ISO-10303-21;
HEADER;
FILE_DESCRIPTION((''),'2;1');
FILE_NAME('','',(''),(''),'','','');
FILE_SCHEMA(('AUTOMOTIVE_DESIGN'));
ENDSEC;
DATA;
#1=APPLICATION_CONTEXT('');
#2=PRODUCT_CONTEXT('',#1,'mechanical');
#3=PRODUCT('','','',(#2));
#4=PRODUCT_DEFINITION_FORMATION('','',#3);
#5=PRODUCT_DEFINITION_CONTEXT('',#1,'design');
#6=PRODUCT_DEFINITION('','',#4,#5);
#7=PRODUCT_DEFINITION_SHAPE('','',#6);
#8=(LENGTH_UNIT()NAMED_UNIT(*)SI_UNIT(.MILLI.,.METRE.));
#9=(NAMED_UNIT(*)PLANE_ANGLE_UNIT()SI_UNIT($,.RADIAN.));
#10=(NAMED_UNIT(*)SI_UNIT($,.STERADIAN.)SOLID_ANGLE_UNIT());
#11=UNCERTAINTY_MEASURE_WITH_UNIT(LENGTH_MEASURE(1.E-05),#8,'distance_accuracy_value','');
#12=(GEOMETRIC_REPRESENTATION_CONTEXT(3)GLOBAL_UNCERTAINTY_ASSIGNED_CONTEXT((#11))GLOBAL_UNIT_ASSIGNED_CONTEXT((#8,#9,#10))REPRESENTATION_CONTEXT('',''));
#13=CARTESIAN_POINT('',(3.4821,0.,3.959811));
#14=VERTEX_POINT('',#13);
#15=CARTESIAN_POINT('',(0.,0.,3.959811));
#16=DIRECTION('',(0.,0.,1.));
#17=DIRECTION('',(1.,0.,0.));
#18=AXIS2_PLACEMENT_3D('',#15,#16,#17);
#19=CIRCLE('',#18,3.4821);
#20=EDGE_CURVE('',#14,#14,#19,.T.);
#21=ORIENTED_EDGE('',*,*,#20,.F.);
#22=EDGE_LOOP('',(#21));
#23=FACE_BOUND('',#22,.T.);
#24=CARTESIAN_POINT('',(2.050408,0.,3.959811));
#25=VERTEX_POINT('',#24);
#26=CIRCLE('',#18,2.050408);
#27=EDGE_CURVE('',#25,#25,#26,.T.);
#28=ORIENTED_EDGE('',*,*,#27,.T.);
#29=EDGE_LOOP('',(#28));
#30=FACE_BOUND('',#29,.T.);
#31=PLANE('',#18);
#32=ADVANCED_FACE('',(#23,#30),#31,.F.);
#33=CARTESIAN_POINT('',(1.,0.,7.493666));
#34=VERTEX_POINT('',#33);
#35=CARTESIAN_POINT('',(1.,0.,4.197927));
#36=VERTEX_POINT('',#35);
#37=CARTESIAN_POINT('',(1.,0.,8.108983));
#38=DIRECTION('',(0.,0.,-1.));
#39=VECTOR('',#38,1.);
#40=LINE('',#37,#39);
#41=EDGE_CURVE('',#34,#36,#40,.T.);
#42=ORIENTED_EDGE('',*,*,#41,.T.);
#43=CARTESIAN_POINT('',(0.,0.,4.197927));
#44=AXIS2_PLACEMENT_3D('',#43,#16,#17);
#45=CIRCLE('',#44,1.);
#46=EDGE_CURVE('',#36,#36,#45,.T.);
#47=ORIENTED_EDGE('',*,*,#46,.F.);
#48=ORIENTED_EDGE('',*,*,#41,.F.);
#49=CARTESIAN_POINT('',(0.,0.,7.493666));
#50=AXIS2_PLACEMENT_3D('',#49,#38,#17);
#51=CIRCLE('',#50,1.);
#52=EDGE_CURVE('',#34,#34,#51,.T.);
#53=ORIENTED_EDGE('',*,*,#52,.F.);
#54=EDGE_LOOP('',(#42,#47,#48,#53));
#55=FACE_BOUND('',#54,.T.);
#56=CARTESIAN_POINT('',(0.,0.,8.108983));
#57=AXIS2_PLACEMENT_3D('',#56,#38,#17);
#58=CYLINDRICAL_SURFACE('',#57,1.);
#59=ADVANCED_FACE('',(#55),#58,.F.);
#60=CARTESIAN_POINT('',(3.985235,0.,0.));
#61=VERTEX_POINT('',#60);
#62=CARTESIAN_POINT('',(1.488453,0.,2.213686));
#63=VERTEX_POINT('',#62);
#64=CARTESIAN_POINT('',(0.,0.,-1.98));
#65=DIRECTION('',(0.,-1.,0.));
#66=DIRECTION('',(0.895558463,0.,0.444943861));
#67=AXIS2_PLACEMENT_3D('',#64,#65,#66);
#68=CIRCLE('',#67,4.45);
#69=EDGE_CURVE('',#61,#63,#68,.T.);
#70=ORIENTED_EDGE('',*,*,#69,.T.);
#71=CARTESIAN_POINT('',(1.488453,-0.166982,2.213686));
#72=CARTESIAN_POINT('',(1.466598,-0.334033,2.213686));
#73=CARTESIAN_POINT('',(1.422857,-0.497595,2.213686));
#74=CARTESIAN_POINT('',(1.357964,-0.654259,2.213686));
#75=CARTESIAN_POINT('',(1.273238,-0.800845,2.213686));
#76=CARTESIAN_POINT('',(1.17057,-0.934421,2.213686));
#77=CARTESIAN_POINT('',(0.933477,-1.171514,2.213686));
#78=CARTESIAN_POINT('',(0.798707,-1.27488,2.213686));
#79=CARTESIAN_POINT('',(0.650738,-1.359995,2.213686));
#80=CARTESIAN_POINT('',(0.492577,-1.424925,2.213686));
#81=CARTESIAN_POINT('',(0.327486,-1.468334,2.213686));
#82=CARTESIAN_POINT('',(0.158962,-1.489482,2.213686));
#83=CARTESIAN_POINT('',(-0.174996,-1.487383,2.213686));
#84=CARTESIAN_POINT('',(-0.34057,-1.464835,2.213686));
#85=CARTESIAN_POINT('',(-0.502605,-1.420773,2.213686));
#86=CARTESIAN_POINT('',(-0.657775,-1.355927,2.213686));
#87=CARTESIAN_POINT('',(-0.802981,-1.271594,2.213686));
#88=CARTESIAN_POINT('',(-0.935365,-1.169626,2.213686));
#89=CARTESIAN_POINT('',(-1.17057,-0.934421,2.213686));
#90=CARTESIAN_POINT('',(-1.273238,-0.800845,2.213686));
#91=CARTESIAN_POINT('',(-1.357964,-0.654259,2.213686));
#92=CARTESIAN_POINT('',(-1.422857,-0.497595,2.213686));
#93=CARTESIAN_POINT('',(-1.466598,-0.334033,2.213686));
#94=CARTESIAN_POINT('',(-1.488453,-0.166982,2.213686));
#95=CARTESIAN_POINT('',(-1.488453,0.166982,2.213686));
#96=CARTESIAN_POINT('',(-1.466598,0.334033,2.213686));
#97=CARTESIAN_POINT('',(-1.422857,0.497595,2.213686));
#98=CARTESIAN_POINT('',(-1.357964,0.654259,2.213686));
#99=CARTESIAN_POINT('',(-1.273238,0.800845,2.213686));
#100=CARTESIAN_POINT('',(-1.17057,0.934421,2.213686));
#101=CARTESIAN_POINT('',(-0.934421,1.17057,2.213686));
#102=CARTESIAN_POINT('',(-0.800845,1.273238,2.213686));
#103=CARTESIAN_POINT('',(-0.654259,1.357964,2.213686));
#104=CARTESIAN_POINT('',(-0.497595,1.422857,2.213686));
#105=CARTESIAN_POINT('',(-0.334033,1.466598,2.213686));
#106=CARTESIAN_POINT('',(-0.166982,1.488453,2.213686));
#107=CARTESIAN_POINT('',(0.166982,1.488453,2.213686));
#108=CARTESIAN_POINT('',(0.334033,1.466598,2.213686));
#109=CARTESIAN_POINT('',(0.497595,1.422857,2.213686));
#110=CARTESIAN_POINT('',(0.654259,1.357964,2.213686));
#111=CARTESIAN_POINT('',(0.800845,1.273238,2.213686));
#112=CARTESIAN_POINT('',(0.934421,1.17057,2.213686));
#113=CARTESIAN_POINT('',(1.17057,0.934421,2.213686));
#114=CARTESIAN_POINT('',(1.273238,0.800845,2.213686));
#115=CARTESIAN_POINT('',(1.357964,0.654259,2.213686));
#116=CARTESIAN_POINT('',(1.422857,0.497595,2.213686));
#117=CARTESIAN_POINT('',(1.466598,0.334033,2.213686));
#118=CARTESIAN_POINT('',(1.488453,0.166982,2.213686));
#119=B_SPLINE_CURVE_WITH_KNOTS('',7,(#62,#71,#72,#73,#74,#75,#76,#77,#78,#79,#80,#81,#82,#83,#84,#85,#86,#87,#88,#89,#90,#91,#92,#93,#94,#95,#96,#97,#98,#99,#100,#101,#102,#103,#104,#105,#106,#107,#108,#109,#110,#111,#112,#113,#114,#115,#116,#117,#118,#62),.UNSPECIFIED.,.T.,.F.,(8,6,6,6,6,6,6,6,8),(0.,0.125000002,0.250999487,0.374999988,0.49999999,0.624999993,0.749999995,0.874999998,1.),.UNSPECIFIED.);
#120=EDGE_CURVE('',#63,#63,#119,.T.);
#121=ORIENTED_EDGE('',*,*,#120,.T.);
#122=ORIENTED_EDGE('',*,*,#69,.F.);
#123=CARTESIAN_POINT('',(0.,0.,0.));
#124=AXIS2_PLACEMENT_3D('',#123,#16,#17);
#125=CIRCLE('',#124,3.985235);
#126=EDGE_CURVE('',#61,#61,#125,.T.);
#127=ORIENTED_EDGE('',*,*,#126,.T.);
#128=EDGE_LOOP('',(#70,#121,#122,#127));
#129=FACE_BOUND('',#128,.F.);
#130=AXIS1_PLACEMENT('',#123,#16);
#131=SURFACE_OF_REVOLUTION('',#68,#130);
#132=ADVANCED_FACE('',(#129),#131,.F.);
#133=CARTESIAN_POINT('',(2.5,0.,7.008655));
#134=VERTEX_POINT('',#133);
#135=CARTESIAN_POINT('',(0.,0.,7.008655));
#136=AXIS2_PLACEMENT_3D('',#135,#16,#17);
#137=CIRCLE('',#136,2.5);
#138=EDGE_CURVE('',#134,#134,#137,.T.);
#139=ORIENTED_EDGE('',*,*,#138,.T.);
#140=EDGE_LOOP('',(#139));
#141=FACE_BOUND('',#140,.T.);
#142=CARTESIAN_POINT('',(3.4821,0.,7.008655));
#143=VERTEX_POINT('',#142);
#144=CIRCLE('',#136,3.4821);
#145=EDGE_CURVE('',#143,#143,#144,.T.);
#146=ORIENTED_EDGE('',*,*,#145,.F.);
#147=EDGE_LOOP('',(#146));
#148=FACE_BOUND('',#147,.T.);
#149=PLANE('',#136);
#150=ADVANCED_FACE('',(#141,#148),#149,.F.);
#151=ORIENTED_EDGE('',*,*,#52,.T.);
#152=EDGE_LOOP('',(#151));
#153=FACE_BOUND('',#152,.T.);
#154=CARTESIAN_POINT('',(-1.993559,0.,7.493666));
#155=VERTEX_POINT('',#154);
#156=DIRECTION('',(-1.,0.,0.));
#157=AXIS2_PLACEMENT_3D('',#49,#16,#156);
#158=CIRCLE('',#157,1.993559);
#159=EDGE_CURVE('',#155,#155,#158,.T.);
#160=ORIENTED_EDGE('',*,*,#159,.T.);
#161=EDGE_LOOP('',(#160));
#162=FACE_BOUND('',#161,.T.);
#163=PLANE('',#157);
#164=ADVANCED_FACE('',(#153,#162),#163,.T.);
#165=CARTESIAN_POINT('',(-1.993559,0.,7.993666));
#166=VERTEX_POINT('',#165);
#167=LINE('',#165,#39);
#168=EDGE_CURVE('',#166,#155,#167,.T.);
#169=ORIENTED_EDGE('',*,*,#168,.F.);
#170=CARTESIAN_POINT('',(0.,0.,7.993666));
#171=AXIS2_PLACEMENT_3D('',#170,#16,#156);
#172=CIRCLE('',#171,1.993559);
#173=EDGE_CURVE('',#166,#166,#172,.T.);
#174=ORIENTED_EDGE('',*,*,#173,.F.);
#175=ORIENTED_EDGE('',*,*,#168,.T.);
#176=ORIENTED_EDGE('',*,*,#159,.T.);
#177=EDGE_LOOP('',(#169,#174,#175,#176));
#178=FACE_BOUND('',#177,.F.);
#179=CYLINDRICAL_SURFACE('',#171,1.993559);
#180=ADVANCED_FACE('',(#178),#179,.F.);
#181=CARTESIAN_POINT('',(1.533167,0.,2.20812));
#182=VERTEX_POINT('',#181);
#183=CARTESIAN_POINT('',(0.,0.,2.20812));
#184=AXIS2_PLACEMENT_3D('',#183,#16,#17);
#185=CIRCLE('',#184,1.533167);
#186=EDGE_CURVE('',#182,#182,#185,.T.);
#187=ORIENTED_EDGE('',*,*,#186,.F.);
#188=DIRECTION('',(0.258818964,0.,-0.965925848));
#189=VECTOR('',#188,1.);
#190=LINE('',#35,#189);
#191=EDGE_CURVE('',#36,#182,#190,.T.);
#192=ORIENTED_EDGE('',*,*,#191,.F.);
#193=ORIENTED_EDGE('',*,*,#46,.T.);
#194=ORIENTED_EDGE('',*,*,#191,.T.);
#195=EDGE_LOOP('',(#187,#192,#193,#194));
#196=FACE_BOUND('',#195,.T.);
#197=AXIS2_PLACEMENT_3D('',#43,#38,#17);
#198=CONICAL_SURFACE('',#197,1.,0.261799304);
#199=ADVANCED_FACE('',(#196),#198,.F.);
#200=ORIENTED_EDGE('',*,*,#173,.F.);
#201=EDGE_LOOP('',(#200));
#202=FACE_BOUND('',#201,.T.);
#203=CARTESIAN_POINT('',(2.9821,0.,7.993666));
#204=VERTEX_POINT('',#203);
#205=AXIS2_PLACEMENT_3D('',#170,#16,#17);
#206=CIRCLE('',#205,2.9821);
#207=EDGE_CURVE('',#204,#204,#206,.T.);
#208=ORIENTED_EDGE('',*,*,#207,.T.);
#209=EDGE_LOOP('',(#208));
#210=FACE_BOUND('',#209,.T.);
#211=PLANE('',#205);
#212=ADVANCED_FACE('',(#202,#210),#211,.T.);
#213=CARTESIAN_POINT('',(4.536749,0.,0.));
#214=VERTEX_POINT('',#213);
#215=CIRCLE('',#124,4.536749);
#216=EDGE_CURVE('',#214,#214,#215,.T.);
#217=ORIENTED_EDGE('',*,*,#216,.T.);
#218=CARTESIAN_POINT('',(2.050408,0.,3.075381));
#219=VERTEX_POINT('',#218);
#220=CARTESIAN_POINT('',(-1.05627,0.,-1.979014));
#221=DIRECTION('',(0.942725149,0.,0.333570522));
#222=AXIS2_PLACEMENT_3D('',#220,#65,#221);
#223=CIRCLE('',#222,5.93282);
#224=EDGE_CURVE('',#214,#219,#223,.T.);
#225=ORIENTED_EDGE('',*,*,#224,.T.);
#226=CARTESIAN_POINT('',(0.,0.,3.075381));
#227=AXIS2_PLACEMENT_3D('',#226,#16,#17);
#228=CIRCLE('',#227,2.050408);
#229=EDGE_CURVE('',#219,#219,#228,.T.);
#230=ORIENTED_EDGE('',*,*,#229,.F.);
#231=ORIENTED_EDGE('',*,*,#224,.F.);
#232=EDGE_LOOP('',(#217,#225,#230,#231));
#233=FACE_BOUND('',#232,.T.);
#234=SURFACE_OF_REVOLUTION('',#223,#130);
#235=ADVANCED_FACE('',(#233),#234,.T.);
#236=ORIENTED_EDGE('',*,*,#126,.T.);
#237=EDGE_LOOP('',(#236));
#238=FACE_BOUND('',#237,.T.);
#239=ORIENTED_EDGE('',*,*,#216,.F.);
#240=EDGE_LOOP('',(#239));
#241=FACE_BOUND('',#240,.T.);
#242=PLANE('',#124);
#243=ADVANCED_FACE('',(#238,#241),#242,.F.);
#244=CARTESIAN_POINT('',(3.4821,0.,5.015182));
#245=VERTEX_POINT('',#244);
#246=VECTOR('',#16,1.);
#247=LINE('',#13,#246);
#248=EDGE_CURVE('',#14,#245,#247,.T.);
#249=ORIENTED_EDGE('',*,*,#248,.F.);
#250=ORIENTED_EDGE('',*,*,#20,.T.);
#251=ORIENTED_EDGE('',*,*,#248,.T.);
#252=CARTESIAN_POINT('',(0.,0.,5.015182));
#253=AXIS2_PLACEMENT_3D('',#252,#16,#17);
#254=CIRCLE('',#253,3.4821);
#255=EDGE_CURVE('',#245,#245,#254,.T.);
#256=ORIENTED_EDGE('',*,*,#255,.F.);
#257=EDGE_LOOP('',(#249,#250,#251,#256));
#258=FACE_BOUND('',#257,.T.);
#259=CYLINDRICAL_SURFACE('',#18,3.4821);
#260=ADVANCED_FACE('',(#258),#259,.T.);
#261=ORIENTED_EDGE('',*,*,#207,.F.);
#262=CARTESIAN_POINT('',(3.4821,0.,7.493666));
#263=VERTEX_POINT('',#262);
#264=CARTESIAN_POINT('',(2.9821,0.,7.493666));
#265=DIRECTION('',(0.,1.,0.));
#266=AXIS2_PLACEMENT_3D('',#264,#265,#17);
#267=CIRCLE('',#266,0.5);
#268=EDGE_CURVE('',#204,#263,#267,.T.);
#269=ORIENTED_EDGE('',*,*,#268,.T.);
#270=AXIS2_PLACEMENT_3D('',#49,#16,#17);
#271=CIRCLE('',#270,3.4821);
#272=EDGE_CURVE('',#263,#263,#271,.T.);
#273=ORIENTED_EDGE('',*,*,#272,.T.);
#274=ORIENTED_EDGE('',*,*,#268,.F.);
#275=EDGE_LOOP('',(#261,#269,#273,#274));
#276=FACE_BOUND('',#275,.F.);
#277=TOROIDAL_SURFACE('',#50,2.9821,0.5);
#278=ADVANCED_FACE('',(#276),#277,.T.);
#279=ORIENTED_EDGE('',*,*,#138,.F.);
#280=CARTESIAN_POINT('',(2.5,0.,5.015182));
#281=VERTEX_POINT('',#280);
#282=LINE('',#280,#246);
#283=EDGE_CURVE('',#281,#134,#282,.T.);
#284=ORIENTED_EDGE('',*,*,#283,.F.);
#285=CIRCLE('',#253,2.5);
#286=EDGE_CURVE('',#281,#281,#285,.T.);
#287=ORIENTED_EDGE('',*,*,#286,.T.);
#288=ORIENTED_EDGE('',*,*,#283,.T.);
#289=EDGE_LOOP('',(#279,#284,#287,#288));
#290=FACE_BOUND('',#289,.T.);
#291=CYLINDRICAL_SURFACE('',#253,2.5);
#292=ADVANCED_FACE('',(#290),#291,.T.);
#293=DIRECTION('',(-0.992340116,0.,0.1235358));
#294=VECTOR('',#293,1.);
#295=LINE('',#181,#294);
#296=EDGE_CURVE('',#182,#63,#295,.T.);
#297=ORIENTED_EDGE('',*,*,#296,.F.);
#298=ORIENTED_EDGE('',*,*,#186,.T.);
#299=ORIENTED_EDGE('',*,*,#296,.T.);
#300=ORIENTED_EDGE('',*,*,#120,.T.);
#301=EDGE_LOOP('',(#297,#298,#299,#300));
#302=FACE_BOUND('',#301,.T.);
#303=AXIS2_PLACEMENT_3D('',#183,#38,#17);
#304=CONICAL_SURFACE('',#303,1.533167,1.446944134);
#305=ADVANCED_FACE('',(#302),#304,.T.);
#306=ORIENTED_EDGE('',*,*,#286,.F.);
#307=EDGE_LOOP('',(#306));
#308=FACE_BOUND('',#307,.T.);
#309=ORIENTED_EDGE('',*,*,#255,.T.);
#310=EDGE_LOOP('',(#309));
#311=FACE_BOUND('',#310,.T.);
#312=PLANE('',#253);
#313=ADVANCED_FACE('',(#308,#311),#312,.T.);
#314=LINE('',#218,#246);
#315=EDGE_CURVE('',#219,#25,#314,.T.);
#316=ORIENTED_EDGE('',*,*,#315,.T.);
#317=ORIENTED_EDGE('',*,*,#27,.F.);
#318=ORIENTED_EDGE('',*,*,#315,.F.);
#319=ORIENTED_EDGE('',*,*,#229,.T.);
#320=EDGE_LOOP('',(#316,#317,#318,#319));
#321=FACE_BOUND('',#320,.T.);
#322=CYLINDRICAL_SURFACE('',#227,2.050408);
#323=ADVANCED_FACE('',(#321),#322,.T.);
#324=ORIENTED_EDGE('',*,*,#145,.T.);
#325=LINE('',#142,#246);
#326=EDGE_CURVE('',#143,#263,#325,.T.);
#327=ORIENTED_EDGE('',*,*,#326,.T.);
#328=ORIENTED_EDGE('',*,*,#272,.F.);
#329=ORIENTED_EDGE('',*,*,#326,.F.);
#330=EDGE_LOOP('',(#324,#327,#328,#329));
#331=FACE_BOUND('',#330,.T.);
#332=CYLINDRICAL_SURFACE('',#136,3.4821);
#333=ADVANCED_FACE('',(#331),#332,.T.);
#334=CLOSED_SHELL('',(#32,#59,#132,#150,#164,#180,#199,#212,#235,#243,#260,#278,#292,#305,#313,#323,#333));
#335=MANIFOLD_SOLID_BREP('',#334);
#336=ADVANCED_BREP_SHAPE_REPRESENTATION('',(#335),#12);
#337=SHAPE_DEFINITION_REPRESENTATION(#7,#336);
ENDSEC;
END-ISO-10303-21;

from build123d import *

# Parameters (mm, degrees)
SKETCH002_R  = 1.993559
POCKET_DEPTH = 0.5
FILLET_R     = 0.5


with BuildPart() as part:
    # Sketch → Revolution (revolve)
    with BuildSketch(Plane.XZ):
        with BuildLine():
            ThreePointArc((3.985235, 0), (2.344302, 1.802426), (0, 2.47))
            Line((0, 7.993666), (0, 2.47))
            Line((3.4821, 7.993666), (0, 7.993666))
            Line((3.4821, 7.008655), (3.4821, 7.993666))
            Line((2.5, 7.008655), (3.4821, 7.008655))
            Line((2.5, 5.015182), (2.5, 7.008655))
            Line((3.4821, 5.015182), (2.5, 5.015182))
            Line((3.4821, 3.959811), (3.4821, 5.015182))
            Line((2.050408, 3.959811), (3.4821, 3.959811))
            Line((2.050408, 3.075381), (2.050408, 3.959811))
            ThreePointArc((4.536749, 0), (3.55737, 1.750957), (2.050408, 3.075381))
            Line((3.985235, 0), (4.536749, 0))
        make_face()
    revolve(axis=Axis((0, 0, 0), (0, 0, 1)))

    # Sketch001 → Groove (revolve, cut)
    with BuildSketch(Plane.XZ):
        Polygon((1, 8.108983), (1, 4.197927), (1.533167, 2.20812), (0, 2.398983), (0, 8.108983), align=None)
    revolve(axis=Axis((0, 0, 0), (0, 0, 1)), mode=Mode.SUBTRACT)

    # Sketch002 (on Face8 of Groove) → Pocket (cut)
    with BuildSketch(Plane(origin=(0, 0, 7.993666), x_dir=(-1, 0, 0), z_dir=(0, 0, 1))):
        Circle(SKETCH002_R)
    extrude(amount=-POCKET_DEPTH, mode=Mode.SUBTRACT)

    # Fillet
    fillet_edges = [part.edges().sort_by_distance(p)[0] for p in [
        (-3.4821, 0, 7.993666),
    ]]
    fillet(fillet_edges, radius=FILLET_R)


solid = part.part
